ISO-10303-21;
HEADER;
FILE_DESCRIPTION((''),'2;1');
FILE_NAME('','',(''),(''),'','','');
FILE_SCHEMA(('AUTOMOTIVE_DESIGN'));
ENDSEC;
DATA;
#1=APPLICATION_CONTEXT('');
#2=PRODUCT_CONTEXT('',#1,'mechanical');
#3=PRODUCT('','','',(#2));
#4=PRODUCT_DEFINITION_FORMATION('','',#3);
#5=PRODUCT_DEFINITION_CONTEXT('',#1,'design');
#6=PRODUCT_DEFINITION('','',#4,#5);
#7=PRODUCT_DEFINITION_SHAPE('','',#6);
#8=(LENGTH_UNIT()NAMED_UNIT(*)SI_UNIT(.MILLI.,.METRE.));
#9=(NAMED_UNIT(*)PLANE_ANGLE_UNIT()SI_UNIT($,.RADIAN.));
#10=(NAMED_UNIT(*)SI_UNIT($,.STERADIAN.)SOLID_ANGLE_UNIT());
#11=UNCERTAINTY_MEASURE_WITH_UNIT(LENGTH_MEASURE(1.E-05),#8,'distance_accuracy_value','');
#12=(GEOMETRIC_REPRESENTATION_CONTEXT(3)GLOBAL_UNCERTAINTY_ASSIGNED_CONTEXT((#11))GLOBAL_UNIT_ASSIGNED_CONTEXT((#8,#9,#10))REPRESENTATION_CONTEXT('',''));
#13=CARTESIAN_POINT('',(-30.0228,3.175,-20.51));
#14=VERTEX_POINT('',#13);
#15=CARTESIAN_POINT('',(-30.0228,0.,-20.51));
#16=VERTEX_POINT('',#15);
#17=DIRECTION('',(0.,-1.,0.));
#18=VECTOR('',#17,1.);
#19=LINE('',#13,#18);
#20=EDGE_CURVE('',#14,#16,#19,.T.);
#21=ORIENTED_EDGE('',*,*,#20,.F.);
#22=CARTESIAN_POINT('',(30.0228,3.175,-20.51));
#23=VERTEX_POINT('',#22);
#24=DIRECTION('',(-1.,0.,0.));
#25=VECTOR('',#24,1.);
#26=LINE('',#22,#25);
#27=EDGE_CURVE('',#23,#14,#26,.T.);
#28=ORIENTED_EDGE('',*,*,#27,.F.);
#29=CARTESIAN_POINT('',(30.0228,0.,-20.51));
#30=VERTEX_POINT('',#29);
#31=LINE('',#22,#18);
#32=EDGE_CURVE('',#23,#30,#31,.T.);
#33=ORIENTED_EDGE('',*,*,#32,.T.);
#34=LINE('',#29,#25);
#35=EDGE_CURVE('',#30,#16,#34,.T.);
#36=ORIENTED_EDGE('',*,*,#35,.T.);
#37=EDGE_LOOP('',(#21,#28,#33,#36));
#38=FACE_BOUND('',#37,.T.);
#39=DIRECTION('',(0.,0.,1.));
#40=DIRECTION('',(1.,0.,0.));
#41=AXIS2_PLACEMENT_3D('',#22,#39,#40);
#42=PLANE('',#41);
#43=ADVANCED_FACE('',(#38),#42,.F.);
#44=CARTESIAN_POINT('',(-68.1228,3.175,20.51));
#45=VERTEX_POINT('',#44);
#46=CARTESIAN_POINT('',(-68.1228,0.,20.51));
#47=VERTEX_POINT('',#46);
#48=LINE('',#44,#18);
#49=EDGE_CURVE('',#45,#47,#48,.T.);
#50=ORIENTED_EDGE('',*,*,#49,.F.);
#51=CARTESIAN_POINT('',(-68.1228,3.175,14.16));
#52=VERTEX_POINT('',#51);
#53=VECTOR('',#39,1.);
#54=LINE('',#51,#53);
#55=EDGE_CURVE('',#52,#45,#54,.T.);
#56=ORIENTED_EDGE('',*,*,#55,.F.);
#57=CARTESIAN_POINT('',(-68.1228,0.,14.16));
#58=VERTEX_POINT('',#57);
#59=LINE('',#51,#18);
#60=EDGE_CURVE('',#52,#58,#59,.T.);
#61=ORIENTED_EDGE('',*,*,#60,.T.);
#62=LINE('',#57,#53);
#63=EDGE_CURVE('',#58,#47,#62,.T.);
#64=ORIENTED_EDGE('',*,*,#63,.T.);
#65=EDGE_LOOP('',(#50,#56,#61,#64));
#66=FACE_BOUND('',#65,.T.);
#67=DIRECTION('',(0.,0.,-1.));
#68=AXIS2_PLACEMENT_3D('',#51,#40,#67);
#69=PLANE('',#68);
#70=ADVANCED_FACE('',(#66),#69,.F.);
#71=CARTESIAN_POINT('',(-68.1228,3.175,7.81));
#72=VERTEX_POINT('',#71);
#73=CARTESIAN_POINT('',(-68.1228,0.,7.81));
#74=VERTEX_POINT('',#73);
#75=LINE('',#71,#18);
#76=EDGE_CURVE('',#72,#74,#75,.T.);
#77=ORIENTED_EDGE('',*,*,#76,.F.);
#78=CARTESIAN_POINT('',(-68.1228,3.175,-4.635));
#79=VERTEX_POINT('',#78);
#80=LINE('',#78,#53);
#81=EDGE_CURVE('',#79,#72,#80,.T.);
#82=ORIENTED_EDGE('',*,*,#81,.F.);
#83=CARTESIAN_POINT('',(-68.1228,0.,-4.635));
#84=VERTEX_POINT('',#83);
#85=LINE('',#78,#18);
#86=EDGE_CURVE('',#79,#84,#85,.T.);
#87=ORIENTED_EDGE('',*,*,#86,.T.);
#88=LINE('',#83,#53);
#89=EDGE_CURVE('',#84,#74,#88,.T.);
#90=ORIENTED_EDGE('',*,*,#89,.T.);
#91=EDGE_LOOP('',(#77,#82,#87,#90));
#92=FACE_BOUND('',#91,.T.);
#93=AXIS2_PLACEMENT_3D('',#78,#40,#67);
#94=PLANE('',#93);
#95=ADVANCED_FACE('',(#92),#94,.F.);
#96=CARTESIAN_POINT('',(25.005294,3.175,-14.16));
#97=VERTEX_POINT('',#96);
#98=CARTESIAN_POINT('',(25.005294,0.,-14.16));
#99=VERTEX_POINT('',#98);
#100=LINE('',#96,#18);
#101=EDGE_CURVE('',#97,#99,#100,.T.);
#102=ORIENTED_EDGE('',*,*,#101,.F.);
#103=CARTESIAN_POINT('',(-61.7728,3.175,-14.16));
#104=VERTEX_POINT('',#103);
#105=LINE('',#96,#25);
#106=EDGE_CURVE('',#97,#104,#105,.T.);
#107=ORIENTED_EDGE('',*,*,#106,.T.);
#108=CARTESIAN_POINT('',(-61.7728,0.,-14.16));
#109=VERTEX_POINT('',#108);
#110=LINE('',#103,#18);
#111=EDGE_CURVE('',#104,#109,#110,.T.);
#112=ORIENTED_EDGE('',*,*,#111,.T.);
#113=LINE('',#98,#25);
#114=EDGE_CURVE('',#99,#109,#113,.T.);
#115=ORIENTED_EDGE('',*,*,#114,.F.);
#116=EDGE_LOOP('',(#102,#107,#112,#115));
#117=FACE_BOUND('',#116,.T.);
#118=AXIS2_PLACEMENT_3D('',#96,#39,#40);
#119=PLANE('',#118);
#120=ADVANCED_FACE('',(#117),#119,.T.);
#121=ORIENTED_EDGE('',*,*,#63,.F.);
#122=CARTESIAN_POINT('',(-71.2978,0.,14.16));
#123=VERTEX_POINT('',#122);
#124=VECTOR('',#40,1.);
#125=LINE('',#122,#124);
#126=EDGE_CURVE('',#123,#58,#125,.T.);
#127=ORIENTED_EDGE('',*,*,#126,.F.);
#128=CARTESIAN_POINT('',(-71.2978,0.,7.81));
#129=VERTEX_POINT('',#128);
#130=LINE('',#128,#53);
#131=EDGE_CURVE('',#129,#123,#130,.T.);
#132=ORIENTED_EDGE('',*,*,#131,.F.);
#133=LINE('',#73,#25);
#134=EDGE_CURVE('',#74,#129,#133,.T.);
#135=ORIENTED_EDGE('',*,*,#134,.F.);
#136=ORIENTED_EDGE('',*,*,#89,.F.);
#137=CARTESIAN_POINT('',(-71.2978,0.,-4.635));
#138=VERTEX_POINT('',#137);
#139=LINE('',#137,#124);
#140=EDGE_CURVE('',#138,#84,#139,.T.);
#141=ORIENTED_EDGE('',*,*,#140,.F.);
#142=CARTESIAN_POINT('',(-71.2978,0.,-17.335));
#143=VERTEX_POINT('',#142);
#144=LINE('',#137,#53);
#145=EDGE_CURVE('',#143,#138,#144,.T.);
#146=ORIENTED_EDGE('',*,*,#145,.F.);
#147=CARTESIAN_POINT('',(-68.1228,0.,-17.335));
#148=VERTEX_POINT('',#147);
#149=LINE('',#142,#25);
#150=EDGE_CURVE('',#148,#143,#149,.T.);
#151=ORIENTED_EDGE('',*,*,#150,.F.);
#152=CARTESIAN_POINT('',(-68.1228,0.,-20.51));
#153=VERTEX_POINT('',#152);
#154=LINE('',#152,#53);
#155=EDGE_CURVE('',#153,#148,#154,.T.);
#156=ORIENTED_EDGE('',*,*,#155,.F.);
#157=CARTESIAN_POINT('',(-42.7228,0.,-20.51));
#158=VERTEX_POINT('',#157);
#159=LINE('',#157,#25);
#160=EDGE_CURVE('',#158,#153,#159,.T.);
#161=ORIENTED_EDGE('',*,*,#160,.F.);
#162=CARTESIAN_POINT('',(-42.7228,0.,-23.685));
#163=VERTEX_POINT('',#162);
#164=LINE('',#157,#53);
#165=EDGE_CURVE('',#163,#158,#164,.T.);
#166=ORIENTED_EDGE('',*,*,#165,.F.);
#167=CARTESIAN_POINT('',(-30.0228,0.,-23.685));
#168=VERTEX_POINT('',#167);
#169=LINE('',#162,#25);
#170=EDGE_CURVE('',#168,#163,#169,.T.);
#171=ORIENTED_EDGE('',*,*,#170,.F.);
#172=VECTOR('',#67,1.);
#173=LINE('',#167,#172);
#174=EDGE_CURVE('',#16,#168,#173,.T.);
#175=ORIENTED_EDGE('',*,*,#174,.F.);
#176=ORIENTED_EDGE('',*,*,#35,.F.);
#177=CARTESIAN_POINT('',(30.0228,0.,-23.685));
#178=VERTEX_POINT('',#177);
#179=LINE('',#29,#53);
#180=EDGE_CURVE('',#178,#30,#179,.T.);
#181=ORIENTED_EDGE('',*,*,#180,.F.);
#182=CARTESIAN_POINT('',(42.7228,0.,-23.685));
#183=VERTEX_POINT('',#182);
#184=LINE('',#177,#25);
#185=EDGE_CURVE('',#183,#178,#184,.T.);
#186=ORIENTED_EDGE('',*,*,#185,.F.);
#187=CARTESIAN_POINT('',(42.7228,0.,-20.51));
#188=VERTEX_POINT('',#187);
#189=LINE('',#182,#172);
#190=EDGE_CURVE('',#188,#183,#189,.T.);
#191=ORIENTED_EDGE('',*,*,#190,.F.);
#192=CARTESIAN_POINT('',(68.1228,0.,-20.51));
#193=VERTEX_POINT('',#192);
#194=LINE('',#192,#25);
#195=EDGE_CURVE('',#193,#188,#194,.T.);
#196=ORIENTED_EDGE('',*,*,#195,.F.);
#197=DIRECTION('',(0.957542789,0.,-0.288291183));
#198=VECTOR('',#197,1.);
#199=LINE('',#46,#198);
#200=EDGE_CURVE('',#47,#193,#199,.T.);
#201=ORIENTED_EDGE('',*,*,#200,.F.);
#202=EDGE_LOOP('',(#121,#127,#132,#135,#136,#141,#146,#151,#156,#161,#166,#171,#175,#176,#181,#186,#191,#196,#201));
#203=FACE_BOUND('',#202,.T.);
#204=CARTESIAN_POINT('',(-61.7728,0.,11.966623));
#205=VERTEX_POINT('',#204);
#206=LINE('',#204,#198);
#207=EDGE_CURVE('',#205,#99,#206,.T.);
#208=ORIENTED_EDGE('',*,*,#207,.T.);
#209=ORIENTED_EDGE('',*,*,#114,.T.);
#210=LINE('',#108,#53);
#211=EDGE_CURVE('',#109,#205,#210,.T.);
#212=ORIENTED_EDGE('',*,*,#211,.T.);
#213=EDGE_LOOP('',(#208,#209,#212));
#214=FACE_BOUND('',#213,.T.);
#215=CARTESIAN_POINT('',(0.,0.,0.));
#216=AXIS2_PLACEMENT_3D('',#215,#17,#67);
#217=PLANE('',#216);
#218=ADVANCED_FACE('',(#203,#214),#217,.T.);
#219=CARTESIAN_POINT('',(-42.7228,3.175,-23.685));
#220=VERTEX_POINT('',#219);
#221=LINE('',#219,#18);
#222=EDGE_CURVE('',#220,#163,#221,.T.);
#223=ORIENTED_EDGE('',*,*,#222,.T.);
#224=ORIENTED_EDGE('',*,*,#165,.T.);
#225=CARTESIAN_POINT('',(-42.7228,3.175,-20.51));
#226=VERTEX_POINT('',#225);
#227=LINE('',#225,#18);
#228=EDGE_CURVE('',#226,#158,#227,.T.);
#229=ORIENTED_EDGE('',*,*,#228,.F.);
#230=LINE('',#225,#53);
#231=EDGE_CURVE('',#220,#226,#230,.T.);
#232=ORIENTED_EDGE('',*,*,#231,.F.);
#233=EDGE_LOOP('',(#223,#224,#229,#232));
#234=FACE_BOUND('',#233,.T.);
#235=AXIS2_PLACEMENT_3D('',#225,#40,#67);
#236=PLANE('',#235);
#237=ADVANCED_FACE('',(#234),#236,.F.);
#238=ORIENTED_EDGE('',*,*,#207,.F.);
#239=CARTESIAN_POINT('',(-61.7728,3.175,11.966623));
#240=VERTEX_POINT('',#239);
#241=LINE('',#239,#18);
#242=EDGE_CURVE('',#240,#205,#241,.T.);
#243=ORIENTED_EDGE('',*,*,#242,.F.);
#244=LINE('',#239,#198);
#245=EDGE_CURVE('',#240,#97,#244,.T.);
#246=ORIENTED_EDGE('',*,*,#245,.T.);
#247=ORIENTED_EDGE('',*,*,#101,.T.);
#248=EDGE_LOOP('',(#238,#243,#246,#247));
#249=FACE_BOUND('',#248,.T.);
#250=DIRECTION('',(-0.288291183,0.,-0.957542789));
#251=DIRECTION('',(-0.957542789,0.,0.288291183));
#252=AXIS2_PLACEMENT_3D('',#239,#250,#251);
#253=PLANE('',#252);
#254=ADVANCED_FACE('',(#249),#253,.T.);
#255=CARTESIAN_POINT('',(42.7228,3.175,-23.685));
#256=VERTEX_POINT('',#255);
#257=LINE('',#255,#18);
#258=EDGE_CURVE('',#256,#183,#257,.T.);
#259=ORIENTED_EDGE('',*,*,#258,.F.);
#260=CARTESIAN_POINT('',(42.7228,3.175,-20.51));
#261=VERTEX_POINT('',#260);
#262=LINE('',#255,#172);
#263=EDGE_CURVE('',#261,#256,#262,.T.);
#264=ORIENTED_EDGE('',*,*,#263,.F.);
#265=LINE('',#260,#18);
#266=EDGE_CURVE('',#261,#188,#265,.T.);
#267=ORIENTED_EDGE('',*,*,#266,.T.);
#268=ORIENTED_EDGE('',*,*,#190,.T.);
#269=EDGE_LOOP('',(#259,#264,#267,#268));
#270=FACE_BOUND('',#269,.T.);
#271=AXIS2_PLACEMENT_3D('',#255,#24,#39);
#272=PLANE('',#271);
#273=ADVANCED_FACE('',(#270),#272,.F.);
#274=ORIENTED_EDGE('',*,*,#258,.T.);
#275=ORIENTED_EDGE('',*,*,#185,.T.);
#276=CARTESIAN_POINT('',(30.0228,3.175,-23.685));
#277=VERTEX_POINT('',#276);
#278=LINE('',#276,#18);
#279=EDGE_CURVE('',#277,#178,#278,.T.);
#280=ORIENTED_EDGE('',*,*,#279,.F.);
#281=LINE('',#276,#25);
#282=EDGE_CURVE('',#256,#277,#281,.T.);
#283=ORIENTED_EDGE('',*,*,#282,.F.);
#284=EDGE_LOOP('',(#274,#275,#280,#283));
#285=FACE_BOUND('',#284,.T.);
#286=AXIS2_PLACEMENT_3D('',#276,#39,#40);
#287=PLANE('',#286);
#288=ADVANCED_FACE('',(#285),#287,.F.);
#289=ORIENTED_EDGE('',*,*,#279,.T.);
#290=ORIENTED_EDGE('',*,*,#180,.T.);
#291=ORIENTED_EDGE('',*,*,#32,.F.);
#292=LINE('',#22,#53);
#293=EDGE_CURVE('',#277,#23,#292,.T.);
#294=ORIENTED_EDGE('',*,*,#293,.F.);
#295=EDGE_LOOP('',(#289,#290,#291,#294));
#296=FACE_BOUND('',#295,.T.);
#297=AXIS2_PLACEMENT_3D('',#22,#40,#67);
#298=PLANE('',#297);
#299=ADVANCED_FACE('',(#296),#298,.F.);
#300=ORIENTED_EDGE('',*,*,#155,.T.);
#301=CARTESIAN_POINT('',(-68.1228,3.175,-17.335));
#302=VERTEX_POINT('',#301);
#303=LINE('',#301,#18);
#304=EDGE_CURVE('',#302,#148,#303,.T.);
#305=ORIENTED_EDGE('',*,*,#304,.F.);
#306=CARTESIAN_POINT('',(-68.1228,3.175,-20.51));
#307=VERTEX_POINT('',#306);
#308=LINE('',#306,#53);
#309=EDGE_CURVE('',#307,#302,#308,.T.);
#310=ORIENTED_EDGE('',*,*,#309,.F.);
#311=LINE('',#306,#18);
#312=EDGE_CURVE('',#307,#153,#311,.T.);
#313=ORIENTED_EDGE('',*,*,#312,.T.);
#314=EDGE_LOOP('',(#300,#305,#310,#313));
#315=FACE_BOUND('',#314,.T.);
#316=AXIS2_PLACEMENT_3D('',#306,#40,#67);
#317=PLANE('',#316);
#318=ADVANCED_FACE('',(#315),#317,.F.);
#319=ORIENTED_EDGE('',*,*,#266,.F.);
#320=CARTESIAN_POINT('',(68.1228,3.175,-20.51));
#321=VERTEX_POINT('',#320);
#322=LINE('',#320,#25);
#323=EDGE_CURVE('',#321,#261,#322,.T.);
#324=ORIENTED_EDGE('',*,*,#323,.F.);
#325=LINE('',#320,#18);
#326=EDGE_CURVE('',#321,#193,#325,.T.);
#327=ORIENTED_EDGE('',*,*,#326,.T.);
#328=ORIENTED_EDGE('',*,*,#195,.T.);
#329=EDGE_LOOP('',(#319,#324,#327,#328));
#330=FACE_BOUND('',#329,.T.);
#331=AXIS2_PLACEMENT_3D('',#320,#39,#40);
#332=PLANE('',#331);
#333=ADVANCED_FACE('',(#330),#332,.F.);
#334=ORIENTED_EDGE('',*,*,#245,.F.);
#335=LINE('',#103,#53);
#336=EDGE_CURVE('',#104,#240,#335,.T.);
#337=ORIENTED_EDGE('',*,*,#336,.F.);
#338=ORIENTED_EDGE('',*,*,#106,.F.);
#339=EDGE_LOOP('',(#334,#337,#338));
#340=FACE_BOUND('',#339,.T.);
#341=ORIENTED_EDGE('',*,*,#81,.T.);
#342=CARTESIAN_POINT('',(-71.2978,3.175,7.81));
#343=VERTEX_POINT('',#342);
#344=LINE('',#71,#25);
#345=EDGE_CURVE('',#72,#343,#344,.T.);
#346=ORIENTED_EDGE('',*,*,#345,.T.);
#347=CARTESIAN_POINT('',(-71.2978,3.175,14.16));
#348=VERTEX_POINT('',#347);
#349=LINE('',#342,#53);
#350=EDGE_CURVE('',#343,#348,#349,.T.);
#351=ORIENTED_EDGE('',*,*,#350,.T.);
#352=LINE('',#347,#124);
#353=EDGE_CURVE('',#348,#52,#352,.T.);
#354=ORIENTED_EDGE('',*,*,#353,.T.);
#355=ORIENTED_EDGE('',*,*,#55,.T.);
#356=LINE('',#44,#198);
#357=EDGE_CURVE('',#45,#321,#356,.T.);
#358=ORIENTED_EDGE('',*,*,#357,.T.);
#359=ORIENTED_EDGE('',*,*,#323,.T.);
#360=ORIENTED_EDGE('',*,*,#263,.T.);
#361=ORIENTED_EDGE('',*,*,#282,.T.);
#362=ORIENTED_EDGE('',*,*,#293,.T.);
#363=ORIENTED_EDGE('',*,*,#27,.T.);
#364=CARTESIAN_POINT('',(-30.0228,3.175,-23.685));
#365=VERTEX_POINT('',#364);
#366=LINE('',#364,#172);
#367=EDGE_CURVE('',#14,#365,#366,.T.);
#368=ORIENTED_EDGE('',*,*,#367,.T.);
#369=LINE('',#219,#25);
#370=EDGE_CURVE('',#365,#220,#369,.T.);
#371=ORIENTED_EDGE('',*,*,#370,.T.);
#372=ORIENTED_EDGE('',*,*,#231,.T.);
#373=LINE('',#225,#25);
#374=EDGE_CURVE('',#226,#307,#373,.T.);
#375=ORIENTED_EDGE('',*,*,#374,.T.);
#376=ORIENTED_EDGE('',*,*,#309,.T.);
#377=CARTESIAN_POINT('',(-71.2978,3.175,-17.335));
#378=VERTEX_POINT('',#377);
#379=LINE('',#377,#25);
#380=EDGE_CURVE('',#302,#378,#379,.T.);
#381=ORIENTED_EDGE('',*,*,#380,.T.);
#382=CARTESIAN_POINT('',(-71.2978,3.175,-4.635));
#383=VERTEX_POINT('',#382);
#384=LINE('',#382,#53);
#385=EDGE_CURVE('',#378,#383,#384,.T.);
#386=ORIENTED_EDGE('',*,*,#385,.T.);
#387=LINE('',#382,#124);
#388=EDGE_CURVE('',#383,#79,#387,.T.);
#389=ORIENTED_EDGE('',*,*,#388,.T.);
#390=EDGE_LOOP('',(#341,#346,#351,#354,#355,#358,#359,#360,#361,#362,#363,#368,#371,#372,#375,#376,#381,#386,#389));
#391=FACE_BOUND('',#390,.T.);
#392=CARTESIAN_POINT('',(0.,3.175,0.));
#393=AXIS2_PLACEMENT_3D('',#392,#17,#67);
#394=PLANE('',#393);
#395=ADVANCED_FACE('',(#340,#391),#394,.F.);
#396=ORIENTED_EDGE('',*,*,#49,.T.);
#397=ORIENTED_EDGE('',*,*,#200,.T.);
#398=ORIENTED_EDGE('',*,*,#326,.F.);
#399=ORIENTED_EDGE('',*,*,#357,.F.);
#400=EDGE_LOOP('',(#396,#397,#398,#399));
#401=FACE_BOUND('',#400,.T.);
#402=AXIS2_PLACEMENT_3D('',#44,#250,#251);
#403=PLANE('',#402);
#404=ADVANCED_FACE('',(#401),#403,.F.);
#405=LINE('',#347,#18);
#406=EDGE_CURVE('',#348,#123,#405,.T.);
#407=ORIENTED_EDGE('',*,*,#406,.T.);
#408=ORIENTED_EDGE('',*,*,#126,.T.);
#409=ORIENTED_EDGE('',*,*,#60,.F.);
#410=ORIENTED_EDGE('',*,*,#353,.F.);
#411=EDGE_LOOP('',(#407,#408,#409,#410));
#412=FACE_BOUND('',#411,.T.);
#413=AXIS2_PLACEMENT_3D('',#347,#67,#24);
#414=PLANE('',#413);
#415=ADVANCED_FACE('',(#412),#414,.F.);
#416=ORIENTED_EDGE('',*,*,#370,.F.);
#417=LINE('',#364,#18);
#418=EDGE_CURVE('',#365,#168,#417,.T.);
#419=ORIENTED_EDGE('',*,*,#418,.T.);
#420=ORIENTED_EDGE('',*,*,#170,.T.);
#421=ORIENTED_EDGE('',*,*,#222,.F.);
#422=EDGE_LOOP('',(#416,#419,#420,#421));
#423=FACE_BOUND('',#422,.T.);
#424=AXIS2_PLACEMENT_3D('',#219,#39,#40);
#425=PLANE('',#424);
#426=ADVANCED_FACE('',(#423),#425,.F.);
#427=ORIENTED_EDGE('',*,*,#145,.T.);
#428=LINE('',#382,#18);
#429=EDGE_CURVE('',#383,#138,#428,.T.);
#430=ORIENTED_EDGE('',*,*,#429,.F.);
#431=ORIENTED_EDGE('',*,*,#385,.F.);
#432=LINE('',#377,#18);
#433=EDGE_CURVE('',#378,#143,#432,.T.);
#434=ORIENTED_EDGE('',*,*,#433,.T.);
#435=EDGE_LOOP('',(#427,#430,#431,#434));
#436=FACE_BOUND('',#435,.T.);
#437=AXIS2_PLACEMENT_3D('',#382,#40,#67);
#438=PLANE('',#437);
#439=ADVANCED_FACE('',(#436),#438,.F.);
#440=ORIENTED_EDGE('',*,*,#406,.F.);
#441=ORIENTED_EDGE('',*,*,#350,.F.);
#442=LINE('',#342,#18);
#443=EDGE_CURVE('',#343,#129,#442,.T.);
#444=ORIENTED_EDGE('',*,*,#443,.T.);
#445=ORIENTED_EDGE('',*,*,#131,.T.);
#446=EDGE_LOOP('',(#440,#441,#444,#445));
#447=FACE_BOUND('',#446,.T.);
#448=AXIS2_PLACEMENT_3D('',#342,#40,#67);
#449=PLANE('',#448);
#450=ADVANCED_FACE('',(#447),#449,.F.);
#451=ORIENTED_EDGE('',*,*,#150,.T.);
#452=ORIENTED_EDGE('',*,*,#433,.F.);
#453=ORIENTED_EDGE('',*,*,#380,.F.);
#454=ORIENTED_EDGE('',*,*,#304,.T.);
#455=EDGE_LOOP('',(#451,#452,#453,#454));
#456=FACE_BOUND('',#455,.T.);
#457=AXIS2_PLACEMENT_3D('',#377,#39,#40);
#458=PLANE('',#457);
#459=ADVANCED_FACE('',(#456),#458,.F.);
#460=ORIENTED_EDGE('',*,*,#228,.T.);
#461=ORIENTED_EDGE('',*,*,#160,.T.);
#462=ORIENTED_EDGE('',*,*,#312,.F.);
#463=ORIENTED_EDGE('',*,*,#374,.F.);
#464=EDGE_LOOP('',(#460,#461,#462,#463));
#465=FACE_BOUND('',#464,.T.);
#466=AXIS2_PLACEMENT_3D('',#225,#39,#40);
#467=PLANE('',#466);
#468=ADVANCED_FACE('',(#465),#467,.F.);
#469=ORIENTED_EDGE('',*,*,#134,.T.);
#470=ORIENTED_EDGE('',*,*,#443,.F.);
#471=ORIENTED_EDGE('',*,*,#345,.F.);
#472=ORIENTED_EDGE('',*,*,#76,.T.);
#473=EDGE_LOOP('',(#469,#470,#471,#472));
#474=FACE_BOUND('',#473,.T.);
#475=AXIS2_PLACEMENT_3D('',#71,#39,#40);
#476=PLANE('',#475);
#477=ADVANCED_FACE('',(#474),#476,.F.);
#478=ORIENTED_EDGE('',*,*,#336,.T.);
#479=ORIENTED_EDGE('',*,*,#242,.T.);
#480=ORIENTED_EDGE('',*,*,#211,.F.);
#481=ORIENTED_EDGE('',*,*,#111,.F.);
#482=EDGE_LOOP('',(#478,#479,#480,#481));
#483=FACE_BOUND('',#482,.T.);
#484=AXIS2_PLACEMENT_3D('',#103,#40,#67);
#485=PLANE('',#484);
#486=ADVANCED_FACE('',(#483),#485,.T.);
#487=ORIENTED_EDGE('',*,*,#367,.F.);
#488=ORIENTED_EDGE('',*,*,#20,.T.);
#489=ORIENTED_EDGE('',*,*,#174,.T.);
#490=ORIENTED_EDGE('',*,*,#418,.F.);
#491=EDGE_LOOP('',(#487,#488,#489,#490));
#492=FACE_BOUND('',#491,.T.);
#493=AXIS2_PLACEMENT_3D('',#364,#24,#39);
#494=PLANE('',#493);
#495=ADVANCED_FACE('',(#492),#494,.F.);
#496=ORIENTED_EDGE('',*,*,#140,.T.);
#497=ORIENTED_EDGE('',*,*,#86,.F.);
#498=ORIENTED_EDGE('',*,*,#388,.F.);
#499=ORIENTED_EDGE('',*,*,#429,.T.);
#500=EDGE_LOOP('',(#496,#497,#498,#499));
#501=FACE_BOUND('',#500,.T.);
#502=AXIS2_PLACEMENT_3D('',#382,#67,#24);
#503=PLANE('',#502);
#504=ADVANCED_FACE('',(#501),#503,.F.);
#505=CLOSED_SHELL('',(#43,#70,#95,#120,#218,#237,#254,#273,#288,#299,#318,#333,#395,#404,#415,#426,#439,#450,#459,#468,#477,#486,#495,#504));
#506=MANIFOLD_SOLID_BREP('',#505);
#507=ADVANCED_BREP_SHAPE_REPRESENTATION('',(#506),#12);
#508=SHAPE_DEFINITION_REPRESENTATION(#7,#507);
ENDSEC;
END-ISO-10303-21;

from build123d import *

# Parameters (mm, degrees)
BOSS_EXTRUDE1_DEPTH = 3.175


with BuildPart() as part:
    # Sketch1 → Boss-Extrude1 (new body)
    with BuildSketch(Plane(origin=(0, 0, 0), x_dir=(1, 0, 0), z_dir=(0, 1, 0))):
        Polygon((68.1228, 20.51), (42.7228, 20.51), (42.7228, 23.685), (30.0228, 23.685), (30.0228, 20.51), (-30.0228, 20.51), (-30.0228, 23.685), (-42.7228, 23.685), (-42.7228, 20.51), (-68.1228, 20.51), (-68.1228, 17.335), (-71.2978, 17.335), (-71.2978, 4.635), (-68.1228, 4.635), (-68.1228, -7.81), (-71.2978, -7.81), (-71.2978, -14.16), (-68.1228, -14.16), (-68.1228, -20.51), align=None)
        Polygon((-61.7728, 14.16), (-61.7728, -11.966623033), (25.00529437, 14.16), align=None, mode=Mode.SUBTRACT)
    extrude(amount=BOSS_EXTRUDE1_DEPTH)


solid = part.part
